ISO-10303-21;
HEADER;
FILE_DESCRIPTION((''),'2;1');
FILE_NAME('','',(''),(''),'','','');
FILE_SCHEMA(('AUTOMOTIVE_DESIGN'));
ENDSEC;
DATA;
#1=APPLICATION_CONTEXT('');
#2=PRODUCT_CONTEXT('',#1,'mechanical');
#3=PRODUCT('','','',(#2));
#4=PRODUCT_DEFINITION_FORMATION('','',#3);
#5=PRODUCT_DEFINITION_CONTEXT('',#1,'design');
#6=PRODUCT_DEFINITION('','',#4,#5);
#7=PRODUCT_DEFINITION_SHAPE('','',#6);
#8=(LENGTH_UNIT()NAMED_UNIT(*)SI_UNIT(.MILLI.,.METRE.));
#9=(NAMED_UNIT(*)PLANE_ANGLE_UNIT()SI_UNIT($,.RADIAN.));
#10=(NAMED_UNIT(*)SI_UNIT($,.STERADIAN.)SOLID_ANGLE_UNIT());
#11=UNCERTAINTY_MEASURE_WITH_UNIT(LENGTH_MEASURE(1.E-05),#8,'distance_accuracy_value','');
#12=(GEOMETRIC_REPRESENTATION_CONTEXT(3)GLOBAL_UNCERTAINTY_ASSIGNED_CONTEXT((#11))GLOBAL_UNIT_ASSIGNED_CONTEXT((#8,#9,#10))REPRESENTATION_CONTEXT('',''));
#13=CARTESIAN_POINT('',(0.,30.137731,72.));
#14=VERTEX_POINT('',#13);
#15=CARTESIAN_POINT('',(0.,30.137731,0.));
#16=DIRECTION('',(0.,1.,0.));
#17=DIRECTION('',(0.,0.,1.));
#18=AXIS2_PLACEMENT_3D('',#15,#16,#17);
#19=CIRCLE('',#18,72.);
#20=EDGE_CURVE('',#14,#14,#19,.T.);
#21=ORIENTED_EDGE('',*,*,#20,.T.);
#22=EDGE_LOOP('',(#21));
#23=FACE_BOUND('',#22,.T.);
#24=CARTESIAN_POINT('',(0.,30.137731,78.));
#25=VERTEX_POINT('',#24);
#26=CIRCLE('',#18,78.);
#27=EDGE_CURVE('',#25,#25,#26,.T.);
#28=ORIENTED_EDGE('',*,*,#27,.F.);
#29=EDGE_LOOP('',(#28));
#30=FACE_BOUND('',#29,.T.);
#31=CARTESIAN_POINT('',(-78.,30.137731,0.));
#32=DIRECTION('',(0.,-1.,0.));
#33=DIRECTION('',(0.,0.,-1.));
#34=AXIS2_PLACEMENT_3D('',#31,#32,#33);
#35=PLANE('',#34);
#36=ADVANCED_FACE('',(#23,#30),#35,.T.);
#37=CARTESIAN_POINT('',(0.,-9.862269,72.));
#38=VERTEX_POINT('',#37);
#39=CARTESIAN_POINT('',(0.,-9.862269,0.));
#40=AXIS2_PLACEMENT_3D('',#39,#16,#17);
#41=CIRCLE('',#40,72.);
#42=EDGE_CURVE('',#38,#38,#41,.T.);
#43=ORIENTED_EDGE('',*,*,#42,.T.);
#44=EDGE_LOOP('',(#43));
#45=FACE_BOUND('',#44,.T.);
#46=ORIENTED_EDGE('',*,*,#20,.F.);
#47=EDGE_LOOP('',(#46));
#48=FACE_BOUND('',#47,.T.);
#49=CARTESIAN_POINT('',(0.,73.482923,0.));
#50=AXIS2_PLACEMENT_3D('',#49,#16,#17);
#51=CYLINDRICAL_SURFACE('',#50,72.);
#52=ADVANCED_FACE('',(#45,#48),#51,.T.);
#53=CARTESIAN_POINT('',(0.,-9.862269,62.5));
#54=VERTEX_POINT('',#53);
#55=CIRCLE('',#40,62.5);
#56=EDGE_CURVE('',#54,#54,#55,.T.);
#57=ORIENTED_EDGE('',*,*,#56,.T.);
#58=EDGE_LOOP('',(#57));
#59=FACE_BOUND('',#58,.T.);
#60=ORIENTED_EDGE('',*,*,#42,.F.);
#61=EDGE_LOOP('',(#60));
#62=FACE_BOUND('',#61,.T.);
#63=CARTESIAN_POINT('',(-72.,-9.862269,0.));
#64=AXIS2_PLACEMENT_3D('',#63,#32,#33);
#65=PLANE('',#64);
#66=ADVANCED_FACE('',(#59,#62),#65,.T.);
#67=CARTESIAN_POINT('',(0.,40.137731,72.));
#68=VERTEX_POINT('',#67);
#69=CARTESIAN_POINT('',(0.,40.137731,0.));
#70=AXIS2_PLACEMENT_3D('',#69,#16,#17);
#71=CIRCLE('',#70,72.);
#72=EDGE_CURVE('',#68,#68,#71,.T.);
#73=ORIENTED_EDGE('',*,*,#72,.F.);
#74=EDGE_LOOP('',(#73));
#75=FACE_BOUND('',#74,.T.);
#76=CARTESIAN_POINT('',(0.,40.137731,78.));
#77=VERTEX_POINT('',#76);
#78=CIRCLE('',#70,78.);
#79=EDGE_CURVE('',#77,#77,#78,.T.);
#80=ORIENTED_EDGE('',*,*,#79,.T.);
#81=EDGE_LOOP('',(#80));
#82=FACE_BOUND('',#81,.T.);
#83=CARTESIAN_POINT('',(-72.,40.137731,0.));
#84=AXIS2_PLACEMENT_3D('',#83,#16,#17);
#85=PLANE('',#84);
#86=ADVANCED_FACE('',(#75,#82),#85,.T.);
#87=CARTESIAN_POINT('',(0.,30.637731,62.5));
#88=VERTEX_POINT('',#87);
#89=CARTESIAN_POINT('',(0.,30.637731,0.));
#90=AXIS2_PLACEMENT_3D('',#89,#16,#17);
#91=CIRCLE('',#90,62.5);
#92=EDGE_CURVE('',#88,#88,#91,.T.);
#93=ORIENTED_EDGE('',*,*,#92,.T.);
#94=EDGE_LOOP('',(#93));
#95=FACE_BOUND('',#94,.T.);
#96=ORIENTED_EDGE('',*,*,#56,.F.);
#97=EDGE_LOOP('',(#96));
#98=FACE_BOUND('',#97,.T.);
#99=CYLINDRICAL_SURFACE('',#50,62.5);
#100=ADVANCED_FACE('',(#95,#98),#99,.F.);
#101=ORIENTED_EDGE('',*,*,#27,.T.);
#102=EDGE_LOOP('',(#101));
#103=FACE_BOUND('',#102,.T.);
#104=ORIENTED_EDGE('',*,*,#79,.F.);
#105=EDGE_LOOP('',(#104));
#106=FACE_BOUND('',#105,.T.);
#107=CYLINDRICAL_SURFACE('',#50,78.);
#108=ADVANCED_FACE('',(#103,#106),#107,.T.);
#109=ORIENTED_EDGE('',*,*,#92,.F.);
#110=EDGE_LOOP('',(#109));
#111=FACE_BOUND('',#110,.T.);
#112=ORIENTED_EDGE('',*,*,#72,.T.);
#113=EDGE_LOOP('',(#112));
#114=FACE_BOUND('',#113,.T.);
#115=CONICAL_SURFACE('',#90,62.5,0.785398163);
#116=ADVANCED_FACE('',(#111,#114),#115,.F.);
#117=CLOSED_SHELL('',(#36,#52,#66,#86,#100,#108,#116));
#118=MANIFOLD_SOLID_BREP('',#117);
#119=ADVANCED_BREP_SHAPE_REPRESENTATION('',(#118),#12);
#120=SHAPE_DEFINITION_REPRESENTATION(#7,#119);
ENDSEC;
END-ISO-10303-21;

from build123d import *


with BuildPart() as part:
    # Sketch1 → Revolve1 (revolve)
    with BuildSketch(Plane.XY, mode=Mode.PRIVATE) as revolve1_sk:
        Polygon((-72, 40.137730956), (-78, 40.137730956), (-78, 30.137730956), (-72, 30.137730956), (-72, -9.862269044), (-62.5, -9.862269044), (-62.5, 30.637730956), align=None)
    revolve(revolve1_sk.sketch.rotate(Axis((0, 73.482922827, 0), (0, -1, 0)), 270), axis=Axis((0, 73.482922827, 0), (0, -1, 0)))


solid = part.part
